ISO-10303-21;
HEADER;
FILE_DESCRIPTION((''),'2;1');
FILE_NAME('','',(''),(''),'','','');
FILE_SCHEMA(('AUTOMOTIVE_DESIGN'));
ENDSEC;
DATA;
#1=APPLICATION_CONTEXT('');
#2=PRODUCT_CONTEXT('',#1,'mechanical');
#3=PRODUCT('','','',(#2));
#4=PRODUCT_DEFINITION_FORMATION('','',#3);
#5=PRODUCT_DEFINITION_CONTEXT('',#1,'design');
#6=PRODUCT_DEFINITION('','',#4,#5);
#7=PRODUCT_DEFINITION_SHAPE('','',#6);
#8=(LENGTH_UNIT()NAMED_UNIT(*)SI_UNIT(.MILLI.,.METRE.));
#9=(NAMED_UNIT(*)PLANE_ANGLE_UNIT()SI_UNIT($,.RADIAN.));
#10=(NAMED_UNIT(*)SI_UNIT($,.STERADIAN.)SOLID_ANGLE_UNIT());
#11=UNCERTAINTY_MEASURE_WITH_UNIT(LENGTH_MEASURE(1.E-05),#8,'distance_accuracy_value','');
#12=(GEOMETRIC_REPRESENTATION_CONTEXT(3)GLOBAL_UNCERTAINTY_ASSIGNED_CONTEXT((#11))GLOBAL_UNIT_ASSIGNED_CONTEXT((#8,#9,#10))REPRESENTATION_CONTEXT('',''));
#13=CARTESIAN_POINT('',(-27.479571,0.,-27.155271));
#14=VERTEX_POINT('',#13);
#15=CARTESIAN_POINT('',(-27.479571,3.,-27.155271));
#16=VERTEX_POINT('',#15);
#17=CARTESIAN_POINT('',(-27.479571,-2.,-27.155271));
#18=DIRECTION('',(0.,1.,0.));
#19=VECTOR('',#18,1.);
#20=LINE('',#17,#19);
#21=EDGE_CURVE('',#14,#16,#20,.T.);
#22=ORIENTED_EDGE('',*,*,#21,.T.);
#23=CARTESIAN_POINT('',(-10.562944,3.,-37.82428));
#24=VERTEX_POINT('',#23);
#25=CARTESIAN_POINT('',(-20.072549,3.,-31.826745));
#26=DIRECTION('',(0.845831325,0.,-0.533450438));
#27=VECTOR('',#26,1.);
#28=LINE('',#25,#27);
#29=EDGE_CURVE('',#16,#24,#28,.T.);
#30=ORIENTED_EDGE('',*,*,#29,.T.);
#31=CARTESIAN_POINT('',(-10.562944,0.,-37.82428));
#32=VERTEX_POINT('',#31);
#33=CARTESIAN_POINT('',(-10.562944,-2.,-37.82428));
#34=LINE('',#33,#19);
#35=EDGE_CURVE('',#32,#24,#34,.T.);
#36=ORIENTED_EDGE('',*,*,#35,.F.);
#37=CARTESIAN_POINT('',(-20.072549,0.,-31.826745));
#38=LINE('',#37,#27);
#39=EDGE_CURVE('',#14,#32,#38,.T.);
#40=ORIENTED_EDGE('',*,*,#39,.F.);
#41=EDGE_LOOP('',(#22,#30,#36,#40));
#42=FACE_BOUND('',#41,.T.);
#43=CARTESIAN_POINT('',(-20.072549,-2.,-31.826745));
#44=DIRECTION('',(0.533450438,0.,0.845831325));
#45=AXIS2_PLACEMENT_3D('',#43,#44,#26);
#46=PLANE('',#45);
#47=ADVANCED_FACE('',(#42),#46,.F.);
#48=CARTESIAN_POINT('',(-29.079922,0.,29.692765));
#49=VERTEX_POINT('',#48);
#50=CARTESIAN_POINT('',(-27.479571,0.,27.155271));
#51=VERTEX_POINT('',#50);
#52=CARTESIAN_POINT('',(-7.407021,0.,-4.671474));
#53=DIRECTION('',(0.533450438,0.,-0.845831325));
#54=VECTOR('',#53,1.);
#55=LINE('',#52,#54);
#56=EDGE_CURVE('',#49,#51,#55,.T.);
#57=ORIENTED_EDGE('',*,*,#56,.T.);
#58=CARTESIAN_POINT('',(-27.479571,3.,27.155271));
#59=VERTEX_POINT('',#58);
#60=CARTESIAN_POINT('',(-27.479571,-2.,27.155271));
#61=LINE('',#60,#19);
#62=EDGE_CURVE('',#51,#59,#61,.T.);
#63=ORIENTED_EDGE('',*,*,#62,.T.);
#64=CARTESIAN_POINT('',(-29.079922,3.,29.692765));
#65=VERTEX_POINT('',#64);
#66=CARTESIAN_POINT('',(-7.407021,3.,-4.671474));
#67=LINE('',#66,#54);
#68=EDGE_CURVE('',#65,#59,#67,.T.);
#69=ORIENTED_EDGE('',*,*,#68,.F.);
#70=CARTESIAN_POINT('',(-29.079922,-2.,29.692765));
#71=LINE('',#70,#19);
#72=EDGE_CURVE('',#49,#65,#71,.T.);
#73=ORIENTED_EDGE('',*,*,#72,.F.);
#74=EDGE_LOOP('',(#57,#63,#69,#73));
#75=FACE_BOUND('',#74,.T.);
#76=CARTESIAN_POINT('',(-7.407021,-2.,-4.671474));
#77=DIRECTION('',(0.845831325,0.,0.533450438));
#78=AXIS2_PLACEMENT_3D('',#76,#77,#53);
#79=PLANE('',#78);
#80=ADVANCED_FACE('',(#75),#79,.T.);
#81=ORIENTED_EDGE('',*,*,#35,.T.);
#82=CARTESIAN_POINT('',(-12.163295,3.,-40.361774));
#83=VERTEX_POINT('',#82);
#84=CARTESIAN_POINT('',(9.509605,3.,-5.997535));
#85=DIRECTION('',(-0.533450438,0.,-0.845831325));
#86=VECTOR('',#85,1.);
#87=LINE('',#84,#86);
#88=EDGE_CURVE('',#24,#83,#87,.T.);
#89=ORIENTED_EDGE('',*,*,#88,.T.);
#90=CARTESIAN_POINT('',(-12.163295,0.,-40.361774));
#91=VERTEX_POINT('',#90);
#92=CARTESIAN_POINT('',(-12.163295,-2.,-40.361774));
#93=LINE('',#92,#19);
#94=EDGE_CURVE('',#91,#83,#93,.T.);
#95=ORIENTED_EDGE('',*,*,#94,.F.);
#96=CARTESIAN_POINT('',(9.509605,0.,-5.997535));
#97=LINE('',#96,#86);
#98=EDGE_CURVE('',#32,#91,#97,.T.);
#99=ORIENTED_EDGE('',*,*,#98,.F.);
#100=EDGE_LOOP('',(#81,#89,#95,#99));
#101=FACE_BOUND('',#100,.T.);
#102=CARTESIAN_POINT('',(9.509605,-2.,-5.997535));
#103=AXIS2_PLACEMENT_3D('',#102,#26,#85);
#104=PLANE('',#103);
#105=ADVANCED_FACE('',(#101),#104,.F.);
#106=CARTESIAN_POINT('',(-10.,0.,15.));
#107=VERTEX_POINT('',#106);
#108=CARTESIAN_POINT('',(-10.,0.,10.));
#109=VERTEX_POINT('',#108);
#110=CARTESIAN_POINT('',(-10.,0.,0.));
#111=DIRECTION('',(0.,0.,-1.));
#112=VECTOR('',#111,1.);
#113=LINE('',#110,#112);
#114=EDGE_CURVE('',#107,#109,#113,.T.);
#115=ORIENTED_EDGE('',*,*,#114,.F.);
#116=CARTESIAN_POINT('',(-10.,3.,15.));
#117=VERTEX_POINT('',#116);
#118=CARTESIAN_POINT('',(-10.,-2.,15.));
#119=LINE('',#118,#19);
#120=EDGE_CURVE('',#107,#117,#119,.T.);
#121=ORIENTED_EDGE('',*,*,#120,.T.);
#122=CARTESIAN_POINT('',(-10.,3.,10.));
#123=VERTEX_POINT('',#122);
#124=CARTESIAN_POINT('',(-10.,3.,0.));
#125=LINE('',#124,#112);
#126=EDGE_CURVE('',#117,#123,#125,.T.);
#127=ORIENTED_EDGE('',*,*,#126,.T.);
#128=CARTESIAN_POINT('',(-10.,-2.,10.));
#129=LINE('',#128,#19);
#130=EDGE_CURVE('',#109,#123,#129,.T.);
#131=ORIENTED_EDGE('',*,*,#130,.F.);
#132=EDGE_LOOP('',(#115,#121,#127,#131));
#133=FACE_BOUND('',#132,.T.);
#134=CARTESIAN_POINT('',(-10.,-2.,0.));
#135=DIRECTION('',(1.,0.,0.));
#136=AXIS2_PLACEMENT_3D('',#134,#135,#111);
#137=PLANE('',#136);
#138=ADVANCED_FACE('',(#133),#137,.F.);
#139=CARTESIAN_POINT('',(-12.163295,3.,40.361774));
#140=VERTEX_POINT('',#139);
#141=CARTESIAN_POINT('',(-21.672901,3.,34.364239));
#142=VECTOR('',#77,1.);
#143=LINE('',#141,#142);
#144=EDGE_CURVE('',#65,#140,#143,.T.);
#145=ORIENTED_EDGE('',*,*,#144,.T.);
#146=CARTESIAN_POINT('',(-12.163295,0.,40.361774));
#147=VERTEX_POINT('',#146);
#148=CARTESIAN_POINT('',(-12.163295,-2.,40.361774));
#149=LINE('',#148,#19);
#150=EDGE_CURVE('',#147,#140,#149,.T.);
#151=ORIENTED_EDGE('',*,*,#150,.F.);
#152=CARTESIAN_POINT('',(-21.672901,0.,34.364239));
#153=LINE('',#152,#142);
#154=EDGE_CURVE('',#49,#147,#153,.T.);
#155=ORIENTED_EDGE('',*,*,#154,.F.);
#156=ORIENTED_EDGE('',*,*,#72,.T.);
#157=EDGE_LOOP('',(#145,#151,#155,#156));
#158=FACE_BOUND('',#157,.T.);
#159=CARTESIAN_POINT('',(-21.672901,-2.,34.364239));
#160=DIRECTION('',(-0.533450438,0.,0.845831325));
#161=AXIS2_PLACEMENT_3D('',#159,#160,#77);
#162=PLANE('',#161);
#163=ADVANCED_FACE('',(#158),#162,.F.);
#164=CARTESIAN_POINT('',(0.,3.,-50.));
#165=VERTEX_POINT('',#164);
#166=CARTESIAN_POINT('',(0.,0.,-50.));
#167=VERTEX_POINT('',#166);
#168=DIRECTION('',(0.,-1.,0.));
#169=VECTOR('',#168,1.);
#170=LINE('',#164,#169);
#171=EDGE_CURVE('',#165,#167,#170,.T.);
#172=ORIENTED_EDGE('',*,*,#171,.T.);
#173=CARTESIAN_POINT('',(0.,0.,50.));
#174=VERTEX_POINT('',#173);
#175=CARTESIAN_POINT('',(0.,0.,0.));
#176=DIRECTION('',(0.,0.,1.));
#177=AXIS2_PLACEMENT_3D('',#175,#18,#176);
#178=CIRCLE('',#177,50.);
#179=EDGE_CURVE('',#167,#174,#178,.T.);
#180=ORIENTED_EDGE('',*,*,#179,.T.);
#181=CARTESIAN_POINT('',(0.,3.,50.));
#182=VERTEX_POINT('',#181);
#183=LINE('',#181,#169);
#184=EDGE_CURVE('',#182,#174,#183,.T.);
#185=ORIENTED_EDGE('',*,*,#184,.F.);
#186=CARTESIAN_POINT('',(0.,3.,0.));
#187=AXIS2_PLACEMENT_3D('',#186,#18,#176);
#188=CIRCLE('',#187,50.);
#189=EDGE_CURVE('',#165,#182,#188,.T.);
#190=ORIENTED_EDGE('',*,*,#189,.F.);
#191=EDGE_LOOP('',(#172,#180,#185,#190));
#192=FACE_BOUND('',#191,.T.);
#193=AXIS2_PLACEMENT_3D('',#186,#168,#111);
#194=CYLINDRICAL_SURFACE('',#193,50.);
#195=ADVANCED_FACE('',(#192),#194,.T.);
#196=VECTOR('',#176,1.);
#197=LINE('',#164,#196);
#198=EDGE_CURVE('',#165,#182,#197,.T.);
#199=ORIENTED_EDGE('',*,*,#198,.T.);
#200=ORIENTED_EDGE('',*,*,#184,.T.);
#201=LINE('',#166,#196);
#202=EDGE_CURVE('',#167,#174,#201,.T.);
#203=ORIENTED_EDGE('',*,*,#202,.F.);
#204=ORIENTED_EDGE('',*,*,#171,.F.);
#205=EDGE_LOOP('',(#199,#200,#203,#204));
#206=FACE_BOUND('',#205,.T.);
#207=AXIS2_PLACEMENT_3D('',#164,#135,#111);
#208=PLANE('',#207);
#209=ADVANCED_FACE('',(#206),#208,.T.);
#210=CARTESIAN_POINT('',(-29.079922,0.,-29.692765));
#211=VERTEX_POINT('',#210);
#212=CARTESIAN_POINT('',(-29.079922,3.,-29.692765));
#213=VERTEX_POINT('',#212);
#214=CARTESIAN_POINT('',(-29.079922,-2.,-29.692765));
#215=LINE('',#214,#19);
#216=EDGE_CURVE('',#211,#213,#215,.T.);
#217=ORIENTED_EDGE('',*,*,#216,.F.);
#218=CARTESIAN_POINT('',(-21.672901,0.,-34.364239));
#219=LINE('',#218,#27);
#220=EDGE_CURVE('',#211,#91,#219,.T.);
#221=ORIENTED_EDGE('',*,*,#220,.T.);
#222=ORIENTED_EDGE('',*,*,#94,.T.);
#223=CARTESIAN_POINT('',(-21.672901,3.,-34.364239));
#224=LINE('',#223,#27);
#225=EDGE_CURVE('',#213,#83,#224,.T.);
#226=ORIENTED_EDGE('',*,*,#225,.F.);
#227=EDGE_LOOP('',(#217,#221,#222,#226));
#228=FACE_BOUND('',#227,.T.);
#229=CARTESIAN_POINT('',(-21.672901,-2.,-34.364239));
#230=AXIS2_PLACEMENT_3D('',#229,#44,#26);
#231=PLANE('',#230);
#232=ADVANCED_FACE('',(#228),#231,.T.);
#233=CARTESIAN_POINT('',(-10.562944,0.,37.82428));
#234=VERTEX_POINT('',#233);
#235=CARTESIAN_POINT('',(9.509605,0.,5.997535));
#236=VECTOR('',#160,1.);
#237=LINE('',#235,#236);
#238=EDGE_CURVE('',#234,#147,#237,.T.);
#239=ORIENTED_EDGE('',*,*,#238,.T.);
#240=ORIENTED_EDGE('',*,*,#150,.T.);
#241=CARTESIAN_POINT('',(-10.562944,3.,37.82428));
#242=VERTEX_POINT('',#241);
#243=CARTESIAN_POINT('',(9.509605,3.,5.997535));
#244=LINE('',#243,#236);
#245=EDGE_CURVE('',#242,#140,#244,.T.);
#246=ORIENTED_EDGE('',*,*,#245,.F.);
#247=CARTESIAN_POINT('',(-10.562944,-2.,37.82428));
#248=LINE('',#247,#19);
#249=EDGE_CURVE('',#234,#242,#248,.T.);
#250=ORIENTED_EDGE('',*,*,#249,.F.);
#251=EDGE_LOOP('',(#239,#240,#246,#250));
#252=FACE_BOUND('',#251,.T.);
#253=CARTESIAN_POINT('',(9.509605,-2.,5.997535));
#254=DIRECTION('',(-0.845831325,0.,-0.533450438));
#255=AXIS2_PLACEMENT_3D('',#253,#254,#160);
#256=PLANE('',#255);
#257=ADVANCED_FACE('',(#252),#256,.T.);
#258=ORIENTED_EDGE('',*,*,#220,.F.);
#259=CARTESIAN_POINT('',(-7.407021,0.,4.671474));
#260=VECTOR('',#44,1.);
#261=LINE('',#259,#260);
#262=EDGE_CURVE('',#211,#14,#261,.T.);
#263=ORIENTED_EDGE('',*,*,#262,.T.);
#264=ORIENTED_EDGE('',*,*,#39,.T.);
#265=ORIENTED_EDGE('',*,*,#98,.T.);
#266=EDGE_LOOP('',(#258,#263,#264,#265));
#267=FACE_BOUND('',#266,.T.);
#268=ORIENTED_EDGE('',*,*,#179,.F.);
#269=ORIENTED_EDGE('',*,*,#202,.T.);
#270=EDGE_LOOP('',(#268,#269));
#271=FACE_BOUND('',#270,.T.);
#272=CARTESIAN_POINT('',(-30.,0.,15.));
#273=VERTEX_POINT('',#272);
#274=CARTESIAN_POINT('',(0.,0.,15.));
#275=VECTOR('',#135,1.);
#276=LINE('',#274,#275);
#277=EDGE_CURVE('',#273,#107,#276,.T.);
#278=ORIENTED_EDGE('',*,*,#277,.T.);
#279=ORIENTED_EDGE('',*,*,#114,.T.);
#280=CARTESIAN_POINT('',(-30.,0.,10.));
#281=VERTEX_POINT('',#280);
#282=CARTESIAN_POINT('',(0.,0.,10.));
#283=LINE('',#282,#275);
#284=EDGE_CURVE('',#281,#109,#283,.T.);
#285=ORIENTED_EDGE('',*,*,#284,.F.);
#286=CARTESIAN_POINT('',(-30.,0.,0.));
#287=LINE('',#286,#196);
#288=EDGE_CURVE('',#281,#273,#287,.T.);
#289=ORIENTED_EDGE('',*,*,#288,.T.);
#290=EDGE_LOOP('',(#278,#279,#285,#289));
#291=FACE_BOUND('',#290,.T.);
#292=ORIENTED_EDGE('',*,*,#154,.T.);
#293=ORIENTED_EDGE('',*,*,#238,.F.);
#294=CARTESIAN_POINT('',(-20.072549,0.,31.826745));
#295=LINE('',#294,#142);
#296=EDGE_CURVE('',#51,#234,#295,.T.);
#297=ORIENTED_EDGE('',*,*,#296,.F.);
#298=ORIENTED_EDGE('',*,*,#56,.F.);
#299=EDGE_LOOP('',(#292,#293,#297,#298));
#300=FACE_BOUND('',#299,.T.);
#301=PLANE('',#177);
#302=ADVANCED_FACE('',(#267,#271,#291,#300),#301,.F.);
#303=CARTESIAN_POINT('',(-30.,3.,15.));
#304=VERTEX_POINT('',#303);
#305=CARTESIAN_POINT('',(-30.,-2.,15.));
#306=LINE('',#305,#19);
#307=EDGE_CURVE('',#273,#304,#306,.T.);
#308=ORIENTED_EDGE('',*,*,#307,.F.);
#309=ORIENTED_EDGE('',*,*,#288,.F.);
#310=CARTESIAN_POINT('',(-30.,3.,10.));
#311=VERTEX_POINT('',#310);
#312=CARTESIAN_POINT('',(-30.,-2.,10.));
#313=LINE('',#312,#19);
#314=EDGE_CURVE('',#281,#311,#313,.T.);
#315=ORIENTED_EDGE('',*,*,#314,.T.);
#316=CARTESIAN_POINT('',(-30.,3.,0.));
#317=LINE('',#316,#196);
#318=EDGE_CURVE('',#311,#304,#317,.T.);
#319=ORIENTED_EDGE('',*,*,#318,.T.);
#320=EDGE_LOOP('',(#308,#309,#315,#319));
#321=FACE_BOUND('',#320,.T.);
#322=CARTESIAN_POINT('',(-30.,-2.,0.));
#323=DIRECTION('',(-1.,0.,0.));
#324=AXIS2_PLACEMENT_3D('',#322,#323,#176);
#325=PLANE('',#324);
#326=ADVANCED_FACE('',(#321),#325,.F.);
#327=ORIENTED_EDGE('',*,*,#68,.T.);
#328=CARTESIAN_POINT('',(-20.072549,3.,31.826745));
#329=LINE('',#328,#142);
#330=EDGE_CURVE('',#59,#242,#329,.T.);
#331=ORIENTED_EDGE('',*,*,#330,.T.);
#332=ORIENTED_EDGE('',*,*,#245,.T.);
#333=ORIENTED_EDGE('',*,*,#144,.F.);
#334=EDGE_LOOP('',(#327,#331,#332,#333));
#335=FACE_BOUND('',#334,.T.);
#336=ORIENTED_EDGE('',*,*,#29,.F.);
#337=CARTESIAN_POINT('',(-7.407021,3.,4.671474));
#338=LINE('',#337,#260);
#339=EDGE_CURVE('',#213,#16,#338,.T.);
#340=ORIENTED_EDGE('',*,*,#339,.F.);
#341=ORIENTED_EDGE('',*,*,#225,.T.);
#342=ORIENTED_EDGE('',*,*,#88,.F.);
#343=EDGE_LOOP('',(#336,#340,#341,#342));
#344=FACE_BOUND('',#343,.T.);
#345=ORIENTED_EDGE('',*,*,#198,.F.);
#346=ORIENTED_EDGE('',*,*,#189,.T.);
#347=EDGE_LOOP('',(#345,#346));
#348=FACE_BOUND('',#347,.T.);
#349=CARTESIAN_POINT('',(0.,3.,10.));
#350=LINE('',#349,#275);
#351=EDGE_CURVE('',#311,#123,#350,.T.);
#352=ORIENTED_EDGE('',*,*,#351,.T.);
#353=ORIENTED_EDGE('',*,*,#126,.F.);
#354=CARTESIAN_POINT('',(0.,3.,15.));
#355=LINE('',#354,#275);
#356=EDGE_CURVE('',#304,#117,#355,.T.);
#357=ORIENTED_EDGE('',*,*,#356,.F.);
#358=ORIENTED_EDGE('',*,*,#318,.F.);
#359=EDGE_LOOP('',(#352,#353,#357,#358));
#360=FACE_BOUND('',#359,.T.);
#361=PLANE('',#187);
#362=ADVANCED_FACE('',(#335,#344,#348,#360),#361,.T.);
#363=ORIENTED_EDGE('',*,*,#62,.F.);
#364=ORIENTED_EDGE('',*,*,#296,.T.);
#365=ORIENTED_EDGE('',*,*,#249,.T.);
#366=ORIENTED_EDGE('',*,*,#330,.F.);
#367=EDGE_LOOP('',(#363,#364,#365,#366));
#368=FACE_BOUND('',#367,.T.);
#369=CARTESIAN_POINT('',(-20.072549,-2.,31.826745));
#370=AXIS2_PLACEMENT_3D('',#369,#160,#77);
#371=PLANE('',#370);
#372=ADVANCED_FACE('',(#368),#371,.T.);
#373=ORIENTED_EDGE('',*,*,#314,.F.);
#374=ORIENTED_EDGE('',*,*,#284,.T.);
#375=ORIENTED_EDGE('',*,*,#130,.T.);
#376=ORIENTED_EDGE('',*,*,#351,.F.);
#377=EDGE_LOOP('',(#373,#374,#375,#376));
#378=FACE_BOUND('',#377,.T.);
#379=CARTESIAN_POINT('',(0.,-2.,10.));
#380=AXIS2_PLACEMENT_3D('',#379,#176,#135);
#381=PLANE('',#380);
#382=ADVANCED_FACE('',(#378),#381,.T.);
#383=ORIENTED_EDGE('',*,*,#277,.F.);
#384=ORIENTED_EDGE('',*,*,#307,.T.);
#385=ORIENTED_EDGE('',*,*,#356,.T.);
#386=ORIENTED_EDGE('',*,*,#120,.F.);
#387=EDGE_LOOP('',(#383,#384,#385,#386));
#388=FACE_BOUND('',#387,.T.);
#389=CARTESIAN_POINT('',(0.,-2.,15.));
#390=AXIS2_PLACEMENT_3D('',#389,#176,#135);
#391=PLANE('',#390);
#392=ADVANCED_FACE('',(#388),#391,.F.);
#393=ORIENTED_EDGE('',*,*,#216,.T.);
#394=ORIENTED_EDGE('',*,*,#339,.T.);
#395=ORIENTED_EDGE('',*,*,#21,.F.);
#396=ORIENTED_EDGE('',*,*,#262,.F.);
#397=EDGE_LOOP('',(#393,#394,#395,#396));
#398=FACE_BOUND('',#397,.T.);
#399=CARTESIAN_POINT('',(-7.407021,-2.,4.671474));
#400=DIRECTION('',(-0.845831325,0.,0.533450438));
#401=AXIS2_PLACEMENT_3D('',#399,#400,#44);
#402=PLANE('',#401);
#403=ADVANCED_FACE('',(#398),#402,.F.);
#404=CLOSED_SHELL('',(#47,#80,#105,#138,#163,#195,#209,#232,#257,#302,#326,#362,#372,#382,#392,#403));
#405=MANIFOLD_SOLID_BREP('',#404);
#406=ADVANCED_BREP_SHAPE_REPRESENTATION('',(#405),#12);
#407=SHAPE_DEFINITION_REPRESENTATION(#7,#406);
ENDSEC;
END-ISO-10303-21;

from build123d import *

# Parameters (mm, degrees)
EXTRUDE_1_DEPTH     = 3
CUT_EXTRUDE_1_DEPTH = 5
CUT_EXTRUDE_2_DEPTH = 5


with BuildPart() as part:
    # 草图1 → 凸台-拉伸1 (new body)
    with BuildSketch(Plane(origin=(0, 0, 0), x_dir=(1, 0, 0), z_dir=(0, 1, 0))):
        with BuildLine():
            Line((0, 50), (0, -50))
            ThreePointArc((0, -50), (-50, 0), (0, 50))
        make_face()
    extrude(amount=EXTRUDE_1_DEPTH)

    # 草图3 → 切除-拉伸1 (cut)
    with BuildSketch(Plane(origin=(0, 3, 0), x_dir=(1, 0, 0), z_dir=(0, 1, 0))):
        Polygon((-27.479570649, 27.155271417), (-10.562944149, 37.824280175), (-12.163295463, 40.36177415), (-29.079921962, 29.692765392), align=None)
        Polygon((-29.079921962, -29.692765392), (-27.479570649, -27.155271417), (-10.562944149, -37.824280175), (-12.163295463, -40.36177415), align=None)
    extrude(amount=-CUT_EXTRUDE_1_DEPTH, mode=Mode.SUBTRACT)

    # 草图4 → 切除-拉伸2 (cut)
    with BuildSketch(Plane(origin=(0, 3, 0), x_dir=(1, 0, 0), z_dir=(0, 1, 0))):
        Polygon((-29.442581692, -10), (-30, -10), (-30, -15), (-10, -15), (-10, -10), align=None)
    extrude(amount=-CUT_EXTRUDE_2_DEPTH, mode=Mode.SUBTRACT)


solid = part.part
